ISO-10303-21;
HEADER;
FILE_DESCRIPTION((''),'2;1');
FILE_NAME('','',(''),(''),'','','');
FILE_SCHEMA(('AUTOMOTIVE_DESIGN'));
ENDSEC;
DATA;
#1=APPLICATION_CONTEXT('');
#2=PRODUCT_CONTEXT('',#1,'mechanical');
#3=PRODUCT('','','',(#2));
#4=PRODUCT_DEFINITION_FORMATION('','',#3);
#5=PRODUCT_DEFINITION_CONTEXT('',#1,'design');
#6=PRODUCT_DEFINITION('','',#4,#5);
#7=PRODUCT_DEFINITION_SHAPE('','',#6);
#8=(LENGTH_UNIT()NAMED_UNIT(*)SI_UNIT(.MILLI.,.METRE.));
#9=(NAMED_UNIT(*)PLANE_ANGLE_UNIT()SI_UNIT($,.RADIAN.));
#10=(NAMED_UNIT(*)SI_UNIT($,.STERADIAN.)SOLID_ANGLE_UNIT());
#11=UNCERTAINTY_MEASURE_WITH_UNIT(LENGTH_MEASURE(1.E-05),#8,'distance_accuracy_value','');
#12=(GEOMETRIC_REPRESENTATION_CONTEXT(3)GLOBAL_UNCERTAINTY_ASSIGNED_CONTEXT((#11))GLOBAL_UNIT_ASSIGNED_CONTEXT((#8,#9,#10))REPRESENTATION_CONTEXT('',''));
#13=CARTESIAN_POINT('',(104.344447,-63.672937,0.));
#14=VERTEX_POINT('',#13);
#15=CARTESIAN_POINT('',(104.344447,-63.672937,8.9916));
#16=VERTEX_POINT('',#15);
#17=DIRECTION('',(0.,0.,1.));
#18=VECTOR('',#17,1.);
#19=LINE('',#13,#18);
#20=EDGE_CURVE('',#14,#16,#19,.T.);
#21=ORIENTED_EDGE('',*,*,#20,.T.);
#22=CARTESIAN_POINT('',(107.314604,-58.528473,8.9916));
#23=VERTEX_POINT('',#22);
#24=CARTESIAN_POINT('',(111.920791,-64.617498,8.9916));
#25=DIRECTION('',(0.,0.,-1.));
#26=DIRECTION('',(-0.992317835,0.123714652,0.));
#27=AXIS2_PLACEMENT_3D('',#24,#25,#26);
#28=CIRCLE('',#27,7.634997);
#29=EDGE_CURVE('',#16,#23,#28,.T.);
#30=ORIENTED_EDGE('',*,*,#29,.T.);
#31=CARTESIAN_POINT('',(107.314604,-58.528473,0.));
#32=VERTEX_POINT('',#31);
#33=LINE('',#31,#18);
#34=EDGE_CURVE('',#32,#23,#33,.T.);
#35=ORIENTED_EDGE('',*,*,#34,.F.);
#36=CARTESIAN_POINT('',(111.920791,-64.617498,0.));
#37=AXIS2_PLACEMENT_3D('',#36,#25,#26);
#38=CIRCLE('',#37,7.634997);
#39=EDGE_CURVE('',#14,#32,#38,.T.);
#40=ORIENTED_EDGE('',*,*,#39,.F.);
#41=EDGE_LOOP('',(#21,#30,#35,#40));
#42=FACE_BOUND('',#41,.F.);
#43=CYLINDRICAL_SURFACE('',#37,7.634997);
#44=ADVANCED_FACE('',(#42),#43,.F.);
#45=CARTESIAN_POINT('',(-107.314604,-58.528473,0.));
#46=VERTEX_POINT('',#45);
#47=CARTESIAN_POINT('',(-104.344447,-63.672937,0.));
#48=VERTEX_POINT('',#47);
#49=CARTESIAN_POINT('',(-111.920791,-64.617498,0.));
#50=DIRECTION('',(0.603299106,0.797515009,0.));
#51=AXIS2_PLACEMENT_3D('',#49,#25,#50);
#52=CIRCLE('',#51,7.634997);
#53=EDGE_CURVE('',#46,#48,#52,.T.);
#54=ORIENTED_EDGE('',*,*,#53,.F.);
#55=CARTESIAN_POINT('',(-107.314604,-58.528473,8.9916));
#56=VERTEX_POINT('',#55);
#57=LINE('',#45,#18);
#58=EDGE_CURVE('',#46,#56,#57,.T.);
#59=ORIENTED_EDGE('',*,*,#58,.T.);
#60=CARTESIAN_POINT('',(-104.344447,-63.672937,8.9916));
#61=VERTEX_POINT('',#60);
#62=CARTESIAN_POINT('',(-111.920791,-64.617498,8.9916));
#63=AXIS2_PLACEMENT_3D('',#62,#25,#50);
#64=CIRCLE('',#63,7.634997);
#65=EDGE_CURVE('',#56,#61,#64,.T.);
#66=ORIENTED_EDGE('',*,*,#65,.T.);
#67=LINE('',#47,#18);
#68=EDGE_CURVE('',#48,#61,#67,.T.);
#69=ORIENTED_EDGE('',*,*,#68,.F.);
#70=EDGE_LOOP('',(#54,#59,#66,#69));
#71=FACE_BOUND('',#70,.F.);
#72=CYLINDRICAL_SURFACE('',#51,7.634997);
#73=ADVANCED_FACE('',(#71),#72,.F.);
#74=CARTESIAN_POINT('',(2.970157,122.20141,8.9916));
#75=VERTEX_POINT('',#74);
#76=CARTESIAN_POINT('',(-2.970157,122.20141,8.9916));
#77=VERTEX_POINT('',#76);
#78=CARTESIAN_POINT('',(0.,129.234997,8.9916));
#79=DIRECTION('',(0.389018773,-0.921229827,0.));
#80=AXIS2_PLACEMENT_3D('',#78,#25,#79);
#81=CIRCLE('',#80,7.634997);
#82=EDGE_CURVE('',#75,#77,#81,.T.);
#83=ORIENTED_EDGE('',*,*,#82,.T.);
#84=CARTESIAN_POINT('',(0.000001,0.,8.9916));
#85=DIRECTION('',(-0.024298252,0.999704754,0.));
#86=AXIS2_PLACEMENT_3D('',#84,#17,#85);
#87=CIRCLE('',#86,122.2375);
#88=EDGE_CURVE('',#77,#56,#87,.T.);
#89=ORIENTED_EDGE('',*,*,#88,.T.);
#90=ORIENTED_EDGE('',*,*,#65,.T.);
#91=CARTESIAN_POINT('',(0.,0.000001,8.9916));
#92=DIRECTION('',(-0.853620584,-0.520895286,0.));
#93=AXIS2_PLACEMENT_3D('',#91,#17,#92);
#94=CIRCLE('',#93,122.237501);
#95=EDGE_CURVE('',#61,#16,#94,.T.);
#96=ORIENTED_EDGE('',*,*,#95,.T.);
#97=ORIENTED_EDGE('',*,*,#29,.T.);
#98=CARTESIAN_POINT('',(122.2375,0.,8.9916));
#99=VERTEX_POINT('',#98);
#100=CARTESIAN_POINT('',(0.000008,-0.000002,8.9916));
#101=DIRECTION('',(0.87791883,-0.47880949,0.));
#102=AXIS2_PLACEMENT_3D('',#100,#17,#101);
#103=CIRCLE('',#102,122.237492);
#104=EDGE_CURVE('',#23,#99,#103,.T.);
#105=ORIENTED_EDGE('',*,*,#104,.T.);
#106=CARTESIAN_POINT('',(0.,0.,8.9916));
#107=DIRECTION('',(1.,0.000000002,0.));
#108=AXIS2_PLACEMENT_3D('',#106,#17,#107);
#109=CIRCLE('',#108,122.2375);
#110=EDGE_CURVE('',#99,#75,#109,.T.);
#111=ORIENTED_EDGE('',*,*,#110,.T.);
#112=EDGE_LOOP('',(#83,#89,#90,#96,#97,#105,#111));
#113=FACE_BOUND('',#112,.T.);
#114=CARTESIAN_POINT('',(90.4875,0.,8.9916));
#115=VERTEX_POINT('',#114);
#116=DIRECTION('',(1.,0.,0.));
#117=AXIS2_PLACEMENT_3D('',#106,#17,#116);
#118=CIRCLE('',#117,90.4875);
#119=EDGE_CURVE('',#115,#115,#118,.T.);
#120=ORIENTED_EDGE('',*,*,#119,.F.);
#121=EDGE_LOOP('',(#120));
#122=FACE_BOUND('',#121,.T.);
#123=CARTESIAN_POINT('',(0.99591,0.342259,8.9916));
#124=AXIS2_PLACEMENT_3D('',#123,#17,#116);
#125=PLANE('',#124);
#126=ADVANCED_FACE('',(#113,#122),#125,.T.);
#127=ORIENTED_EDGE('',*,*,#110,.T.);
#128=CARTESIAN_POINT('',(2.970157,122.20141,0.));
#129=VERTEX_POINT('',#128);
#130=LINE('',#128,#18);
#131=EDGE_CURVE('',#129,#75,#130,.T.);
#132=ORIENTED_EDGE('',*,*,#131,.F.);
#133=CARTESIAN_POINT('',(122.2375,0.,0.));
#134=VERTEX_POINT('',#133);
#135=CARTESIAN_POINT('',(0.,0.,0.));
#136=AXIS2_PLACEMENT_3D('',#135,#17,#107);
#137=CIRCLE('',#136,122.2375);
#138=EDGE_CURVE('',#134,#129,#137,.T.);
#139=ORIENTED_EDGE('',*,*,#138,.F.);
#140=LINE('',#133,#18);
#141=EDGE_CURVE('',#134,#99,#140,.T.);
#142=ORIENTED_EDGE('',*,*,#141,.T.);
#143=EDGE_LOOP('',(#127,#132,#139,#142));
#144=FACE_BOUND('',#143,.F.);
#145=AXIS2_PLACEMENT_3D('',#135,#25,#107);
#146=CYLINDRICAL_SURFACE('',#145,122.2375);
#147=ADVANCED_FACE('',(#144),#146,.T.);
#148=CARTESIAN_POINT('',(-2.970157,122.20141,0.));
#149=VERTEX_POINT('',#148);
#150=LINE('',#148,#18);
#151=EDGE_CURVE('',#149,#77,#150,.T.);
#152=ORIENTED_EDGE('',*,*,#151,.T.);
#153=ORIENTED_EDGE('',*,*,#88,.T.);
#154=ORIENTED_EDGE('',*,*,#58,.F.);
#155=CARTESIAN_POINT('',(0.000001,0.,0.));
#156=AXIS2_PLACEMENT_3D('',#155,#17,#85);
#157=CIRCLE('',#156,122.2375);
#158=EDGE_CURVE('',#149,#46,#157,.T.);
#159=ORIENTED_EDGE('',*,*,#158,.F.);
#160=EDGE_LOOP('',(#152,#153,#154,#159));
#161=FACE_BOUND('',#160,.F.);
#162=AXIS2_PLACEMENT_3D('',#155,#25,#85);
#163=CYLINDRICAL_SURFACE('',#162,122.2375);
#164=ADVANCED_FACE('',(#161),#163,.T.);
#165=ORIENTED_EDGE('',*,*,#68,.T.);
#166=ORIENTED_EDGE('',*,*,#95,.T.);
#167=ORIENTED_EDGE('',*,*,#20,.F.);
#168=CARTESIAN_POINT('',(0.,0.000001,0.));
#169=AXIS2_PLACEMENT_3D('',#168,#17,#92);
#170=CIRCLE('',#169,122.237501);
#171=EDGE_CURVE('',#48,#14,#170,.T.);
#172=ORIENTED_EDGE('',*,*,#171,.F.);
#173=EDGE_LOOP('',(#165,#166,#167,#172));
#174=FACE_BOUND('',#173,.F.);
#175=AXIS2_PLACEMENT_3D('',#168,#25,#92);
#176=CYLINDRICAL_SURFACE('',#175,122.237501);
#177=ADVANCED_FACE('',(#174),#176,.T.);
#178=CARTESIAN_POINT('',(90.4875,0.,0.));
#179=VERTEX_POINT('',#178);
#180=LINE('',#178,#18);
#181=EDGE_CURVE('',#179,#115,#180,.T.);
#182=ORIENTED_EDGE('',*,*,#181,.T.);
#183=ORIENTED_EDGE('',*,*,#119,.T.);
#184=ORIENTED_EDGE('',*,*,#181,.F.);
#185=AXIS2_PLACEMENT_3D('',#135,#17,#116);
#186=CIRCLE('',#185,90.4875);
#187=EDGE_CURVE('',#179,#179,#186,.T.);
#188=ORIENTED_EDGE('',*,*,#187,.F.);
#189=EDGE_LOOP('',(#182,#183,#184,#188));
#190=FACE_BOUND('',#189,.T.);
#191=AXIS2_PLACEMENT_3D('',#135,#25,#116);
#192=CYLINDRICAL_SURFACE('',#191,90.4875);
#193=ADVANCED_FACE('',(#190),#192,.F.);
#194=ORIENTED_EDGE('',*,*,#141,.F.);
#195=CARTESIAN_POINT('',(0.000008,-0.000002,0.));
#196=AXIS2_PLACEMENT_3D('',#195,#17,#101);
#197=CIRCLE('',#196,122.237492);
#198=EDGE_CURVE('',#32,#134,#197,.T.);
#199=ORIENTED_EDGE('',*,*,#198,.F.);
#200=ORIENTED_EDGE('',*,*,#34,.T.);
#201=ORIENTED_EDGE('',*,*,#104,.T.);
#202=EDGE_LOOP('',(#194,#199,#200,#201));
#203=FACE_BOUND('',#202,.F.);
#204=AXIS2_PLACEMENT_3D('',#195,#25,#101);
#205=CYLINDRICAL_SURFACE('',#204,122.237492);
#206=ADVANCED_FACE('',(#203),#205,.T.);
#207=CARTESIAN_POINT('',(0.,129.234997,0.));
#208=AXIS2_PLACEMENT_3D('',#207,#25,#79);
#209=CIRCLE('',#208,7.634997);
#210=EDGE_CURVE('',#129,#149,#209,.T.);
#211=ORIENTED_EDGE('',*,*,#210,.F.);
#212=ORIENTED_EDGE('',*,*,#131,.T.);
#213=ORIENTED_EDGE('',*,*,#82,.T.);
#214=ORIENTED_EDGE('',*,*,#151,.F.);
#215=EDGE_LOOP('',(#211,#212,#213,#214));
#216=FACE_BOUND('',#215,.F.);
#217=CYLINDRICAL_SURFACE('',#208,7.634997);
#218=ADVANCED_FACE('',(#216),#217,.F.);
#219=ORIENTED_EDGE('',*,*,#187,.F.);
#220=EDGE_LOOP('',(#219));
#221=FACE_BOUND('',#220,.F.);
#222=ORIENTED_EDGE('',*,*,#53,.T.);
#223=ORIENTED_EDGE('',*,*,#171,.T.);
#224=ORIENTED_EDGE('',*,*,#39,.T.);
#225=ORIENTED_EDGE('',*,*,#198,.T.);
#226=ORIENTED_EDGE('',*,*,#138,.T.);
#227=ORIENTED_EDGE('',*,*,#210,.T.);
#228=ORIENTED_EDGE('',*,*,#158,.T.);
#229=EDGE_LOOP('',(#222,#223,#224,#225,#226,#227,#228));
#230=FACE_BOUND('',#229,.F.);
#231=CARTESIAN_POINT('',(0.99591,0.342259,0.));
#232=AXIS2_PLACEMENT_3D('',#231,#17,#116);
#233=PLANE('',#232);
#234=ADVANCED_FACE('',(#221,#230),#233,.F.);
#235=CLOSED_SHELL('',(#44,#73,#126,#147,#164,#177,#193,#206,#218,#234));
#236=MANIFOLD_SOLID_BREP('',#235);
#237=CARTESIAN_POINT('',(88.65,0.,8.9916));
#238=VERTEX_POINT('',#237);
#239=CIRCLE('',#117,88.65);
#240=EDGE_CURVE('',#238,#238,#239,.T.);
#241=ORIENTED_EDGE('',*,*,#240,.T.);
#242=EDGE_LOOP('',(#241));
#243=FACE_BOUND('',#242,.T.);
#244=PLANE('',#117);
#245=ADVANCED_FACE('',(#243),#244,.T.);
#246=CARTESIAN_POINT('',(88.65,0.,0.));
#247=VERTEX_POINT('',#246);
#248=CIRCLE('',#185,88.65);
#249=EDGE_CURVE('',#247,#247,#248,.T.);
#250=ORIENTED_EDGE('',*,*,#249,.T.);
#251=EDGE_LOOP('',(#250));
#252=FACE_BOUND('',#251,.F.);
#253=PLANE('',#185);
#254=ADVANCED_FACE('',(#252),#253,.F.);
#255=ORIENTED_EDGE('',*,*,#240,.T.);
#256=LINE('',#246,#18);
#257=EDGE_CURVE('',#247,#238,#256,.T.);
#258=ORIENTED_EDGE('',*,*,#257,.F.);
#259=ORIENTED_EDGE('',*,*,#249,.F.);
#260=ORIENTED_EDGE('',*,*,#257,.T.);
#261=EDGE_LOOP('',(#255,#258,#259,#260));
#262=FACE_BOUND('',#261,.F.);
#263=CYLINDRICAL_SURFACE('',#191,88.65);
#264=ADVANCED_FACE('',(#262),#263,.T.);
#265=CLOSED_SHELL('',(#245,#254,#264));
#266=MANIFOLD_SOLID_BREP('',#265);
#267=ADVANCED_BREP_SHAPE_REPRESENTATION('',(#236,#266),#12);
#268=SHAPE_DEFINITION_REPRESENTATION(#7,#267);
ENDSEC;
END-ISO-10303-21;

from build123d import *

# Parameters (mm, degrees)
F3_R     = 88.65
F0_DEPTH = 8.9916
F1_R     = 90.4875
F2_DEPTH = 8.9916


with BuildPart() as f0:
    # F3 (on Top) → F0 (new body)
    with BuildSketch(Plane.XY):
        Circle(F3_R)
    extrude(amount=F0_DEPTH)


with BuildPart() as f2:
    # F1 (on Top) → F2 (new body)
    with BuildSketch(Plane.XY):
        with BuildLine():
            ThreePointArc((107.314604, -58.528473), (118.448038, -30.200476), (122.2375, 0))
            ThreePointArc((122.2375, 0), (87.478772, 85.378398), (2.970157, 122.20141))
            ThreePointArc((2.970157, 122.20141), (0, 121.6), (-2.970157, 122.20141))
            ThreePointArc((-2.970157, 122.20141), (-105.86078, 61.11875), (-107.314604, -58.528473))
            ThreePointArc((-107.314604, -58.528473), (-105.308689, -60.8), (-104.344447, -63.672937))
            ThreePointArc((-104.344447, -63.672937), (0, -122.2375), (104.344447, -63.672937))
            ThreePointArc((104.344447, -63.672937), (105.308689, -60.8), (107.314604, -58.528473))
        make_face()
        Circle(F1_R, mode=Mode.SUBTRACT)
    extrude(amount=F2_DEPTH)


solid = Compound([f0.part, f2.part])
